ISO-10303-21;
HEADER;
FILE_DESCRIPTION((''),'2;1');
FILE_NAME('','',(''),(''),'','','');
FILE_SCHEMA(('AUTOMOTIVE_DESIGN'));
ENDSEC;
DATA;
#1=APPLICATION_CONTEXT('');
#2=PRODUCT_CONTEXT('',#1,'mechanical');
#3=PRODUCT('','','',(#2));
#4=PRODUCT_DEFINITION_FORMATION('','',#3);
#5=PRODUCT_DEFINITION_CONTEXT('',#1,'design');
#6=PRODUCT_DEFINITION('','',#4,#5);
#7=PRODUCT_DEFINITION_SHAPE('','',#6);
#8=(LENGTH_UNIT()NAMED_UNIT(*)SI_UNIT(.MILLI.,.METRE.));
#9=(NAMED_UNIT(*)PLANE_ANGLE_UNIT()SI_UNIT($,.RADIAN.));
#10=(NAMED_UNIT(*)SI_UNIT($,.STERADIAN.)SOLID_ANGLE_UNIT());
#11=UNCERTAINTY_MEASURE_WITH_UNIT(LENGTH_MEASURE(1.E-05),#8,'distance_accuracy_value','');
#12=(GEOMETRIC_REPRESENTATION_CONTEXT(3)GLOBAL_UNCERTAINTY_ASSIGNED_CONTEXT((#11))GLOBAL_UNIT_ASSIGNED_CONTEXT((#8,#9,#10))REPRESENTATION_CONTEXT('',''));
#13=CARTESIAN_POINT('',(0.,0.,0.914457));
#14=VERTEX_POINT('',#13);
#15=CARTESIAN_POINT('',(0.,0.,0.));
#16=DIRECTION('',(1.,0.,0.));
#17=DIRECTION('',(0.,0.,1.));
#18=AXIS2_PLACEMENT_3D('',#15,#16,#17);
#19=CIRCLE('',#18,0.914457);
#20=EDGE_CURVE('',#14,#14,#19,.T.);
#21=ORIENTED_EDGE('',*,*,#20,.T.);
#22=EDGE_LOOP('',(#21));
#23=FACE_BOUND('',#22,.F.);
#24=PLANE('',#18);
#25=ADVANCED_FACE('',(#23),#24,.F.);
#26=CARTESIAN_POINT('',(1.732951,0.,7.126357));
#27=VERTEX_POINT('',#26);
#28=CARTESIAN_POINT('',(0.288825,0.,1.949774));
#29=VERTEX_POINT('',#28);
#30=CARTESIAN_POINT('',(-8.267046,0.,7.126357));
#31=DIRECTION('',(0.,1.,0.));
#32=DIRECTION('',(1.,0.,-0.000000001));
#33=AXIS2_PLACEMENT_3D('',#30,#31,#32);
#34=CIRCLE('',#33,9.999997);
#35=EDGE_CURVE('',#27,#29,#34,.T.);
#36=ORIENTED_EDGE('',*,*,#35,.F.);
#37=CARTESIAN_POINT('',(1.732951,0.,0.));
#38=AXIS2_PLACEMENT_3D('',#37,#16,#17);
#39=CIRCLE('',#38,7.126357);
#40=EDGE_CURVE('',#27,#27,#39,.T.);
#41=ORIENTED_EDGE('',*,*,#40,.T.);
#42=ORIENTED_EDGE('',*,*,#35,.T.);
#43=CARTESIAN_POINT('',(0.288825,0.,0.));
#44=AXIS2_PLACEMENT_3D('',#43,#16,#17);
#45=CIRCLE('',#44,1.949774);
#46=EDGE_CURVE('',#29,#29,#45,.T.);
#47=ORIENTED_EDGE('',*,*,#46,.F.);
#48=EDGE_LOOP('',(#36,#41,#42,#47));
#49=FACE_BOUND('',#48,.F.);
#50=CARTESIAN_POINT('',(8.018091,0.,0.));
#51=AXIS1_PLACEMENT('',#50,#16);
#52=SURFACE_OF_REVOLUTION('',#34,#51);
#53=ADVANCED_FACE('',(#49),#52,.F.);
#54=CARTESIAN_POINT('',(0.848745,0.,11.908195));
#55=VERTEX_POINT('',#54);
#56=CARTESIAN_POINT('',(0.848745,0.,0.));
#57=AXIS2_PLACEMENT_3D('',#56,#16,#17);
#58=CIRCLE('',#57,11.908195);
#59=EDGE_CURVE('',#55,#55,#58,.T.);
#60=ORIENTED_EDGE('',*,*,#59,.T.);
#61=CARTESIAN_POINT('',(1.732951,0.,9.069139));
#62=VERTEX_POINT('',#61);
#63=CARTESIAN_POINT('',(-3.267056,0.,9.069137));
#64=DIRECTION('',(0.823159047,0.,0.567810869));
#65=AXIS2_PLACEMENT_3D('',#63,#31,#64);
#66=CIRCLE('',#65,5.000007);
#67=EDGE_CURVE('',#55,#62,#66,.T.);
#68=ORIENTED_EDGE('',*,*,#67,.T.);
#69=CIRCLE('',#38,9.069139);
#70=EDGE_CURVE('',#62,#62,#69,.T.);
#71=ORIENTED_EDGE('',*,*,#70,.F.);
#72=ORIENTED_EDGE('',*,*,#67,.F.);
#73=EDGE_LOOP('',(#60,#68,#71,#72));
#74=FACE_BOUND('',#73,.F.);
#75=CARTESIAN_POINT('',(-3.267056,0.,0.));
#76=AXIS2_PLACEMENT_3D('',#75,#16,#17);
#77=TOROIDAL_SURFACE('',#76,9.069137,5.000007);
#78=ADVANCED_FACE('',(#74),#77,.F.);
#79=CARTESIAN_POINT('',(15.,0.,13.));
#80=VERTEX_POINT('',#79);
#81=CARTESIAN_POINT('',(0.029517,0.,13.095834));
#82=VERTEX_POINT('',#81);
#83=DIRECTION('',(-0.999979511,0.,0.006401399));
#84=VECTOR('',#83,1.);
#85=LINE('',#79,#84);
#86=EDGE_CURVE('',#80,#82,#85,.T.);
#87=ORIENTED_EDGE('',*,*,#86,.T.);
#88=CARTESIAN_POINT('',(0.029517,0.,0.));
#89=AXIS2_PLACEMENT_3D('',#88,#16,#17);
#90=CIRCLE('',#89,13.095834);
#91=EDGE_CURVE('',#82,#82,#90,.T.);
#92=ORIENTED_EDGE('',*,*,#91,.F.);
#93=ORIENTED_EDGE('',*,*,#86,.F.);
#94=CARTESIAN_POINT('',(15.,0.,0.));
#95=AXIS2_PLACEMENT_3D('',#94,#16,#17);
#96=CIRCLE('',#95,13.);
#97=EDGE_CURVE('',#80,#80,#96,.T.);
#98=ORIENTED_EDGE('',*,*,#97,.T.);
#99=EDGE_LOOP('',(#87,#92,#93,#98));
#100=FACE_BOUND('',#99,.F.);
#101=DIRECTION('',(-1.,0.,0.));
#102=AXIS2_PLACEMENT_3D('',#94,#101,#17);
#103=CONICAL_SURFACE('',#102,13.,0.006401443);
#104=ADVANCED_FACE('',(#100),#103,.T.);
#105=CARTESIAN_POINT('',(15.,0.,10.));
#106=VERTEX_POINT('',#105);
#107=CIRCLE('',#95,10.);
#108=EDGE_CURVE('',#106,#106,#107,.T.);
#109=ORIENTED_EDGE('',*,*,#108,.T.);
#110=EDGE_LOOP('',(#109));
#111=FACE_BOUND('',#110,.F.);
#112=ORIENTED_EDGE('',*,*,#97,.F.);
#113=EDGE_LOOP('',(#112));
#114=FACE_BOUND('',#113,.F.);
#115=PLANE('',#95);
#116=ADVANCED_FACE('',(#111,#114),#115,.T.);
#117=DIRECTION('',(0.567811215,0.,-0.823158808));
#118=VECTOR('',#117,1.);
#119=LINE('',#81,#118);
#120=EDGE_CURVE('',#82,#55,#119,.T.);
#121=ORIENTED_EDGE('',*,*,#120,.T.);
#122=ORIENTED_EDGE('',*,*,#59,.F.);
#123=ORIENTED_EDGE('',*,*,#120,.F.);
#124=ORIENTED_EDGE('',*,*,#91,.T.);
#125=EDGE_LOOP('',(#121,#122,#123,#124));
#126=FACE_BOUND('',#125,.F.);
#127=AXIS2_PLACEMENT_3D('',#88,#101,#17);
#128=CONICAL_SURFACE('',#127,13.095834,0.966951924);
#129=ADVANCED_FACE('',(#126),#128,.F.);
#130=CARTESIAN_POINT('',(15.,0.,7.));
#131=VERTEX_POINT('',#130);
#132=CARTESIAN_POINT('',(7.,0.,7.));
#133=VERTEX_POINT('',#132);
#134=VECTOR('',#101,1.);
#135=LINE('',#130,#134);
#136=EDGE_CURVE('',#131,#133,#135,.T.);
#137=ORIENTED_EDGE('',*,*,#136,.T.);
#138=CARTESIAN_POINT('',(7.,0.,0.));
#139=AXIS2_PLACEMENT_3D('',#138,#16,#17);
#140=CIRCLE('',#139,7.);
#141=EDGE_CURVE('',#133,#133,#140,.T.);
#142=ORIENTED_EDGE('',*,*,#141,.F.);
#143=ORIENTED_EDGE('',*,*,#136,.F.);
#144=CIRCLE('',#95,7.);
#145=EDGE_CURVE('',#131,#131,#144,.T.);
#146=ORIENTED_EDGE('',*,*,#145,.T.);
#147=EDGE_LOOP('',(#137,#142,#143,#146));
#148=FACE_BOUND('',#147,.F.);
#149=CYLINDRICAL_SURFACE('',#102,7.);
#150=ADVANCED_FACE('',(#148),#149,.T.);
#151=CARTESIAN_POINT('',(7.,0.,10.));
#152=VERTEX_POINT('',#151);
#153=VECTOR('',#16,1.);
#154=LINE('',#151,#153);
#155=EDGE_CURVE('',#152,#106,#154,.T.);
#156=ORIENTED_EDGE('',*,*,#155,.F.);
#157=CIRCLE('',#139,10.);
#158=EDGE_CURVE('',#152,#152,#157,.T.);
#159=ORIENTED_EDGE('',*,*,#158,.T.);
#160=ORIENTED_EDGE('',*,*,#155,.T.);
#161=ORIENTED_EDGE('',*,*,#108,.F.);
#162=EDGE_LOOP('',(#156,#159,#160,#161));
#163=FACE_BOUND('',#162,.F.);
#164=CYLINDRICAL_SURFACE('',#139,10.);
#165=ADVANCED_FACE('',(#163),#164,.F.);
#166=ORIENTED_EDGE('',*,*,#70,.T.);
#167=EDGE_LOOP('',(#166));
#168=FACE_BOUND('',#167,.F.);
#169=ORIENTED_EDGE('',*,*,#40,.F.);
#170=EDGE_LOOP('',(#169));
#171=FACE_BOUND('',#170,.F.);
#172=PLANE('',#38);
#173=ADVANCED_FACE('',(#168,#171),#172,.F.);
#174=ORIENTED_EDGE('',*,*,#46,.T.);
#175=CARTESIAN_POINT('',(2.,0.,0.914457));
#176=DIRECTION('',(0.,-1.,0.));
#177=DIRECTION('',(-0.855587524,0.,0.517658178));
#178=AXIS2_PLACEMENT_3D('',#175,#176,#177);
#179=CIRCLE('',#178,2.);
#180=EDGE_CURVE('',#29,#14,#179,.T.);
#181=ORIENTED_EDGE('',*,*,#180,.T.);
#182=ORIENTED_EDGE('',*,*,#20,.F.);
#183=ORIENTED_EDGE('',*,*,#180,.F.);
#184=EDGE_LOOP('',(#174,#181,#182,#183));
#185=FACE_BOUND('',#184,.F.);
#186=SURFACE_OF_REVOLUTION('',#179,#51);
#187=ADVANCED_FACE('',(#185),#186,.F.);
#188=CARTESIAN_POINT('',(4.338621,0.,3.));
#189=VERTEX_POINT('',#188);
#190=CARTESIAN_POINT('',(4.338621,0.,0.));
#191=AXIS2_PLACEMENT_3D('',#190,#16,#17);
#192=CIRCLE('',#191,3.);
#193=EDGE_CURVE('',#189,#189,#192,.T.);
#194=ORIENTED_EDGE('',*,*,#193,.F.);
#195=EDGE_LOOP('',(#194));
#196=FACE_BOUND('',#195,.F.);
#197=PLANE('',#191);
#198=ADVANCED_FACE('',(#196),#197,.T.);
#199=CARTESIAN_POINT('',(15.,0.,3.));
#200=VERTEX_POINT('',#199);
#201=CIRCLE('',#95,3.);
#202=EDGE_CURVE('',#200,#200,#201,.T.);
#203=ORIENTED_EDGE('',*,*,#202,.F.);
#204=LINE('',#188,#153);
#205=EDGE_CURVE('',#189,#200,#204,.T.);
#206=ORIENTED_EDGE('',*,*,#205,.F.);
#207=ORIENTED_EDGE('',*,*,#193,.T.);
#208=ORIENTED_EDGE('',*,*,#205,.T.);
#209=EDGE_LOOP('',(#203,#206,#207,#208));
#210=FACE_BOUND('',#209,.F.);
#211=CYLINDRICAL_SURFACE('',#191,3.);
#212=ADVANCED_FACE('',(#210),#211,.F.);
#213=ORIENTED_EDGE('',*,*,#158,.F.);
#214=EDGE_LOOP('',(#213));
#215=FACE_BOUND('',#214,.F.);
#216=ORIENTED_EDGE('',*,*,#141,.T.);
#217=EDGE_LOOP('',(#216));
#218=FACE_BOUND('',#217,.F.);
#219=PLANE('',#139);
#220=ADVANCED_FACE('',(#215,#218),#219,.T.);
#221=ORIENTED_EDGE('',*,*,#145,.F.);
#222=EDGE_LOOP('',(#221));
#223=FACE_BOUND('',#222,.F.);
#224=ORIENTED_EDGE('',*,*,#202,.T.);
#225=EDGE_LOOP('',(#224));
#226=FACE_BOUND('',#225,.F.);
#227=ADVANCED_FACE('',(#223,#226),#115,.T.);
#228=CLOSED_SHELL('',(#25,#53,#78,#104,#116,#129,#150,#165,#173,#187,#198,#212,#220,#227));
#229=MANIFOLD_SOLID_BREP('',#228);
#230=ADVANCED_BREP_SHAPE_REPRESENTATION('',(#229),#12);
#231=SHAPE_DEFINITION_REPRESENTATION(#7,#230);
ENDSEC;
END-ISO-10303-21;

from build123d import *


with BuildPart() as f1:
    # F0 (on Front) → F1 (revolve)
    with BuildSketch(Plane.XZ):
        with BuildLine():
            Line((4.338621, 3), (15, 3))
            Line((15, 3), (15, 7))
            Line((15, 7), (7, 7))
            Line((7, 7), (7, 10))
            Line((7, 10), (15, 10))
            Line((15, 10), (15, 13))
            Line((15, 13), (0.029517, 13.095834))
            Line((0.029517, 13.095834), (0.848745, 11.908195))
            ThreePointArc((0.848745, 11.908195), (1.506784, 10.555919), (1.732951, 9.069139))
            Line((1.732951, 9.069139), (1.732951, 7.126357))
            ThreePointArc((1.732951, 7.126357), (1.365156, 4.439235), (0.288825, 1.949774))
            ThreePointArc((0.288825, 1.949774), (0.073559, 1.451882), (0, 0.914457))
            Line((0, 0.914457), (0, 0))
            Line((0, 0), (4.338621, 0))
            Line((4.338621, 0), (4.338621, 3))
        make_face()
    revolve(axis=Axis((8.018091, 0, 0), (1, 0, 0)))


solid = f1.part
